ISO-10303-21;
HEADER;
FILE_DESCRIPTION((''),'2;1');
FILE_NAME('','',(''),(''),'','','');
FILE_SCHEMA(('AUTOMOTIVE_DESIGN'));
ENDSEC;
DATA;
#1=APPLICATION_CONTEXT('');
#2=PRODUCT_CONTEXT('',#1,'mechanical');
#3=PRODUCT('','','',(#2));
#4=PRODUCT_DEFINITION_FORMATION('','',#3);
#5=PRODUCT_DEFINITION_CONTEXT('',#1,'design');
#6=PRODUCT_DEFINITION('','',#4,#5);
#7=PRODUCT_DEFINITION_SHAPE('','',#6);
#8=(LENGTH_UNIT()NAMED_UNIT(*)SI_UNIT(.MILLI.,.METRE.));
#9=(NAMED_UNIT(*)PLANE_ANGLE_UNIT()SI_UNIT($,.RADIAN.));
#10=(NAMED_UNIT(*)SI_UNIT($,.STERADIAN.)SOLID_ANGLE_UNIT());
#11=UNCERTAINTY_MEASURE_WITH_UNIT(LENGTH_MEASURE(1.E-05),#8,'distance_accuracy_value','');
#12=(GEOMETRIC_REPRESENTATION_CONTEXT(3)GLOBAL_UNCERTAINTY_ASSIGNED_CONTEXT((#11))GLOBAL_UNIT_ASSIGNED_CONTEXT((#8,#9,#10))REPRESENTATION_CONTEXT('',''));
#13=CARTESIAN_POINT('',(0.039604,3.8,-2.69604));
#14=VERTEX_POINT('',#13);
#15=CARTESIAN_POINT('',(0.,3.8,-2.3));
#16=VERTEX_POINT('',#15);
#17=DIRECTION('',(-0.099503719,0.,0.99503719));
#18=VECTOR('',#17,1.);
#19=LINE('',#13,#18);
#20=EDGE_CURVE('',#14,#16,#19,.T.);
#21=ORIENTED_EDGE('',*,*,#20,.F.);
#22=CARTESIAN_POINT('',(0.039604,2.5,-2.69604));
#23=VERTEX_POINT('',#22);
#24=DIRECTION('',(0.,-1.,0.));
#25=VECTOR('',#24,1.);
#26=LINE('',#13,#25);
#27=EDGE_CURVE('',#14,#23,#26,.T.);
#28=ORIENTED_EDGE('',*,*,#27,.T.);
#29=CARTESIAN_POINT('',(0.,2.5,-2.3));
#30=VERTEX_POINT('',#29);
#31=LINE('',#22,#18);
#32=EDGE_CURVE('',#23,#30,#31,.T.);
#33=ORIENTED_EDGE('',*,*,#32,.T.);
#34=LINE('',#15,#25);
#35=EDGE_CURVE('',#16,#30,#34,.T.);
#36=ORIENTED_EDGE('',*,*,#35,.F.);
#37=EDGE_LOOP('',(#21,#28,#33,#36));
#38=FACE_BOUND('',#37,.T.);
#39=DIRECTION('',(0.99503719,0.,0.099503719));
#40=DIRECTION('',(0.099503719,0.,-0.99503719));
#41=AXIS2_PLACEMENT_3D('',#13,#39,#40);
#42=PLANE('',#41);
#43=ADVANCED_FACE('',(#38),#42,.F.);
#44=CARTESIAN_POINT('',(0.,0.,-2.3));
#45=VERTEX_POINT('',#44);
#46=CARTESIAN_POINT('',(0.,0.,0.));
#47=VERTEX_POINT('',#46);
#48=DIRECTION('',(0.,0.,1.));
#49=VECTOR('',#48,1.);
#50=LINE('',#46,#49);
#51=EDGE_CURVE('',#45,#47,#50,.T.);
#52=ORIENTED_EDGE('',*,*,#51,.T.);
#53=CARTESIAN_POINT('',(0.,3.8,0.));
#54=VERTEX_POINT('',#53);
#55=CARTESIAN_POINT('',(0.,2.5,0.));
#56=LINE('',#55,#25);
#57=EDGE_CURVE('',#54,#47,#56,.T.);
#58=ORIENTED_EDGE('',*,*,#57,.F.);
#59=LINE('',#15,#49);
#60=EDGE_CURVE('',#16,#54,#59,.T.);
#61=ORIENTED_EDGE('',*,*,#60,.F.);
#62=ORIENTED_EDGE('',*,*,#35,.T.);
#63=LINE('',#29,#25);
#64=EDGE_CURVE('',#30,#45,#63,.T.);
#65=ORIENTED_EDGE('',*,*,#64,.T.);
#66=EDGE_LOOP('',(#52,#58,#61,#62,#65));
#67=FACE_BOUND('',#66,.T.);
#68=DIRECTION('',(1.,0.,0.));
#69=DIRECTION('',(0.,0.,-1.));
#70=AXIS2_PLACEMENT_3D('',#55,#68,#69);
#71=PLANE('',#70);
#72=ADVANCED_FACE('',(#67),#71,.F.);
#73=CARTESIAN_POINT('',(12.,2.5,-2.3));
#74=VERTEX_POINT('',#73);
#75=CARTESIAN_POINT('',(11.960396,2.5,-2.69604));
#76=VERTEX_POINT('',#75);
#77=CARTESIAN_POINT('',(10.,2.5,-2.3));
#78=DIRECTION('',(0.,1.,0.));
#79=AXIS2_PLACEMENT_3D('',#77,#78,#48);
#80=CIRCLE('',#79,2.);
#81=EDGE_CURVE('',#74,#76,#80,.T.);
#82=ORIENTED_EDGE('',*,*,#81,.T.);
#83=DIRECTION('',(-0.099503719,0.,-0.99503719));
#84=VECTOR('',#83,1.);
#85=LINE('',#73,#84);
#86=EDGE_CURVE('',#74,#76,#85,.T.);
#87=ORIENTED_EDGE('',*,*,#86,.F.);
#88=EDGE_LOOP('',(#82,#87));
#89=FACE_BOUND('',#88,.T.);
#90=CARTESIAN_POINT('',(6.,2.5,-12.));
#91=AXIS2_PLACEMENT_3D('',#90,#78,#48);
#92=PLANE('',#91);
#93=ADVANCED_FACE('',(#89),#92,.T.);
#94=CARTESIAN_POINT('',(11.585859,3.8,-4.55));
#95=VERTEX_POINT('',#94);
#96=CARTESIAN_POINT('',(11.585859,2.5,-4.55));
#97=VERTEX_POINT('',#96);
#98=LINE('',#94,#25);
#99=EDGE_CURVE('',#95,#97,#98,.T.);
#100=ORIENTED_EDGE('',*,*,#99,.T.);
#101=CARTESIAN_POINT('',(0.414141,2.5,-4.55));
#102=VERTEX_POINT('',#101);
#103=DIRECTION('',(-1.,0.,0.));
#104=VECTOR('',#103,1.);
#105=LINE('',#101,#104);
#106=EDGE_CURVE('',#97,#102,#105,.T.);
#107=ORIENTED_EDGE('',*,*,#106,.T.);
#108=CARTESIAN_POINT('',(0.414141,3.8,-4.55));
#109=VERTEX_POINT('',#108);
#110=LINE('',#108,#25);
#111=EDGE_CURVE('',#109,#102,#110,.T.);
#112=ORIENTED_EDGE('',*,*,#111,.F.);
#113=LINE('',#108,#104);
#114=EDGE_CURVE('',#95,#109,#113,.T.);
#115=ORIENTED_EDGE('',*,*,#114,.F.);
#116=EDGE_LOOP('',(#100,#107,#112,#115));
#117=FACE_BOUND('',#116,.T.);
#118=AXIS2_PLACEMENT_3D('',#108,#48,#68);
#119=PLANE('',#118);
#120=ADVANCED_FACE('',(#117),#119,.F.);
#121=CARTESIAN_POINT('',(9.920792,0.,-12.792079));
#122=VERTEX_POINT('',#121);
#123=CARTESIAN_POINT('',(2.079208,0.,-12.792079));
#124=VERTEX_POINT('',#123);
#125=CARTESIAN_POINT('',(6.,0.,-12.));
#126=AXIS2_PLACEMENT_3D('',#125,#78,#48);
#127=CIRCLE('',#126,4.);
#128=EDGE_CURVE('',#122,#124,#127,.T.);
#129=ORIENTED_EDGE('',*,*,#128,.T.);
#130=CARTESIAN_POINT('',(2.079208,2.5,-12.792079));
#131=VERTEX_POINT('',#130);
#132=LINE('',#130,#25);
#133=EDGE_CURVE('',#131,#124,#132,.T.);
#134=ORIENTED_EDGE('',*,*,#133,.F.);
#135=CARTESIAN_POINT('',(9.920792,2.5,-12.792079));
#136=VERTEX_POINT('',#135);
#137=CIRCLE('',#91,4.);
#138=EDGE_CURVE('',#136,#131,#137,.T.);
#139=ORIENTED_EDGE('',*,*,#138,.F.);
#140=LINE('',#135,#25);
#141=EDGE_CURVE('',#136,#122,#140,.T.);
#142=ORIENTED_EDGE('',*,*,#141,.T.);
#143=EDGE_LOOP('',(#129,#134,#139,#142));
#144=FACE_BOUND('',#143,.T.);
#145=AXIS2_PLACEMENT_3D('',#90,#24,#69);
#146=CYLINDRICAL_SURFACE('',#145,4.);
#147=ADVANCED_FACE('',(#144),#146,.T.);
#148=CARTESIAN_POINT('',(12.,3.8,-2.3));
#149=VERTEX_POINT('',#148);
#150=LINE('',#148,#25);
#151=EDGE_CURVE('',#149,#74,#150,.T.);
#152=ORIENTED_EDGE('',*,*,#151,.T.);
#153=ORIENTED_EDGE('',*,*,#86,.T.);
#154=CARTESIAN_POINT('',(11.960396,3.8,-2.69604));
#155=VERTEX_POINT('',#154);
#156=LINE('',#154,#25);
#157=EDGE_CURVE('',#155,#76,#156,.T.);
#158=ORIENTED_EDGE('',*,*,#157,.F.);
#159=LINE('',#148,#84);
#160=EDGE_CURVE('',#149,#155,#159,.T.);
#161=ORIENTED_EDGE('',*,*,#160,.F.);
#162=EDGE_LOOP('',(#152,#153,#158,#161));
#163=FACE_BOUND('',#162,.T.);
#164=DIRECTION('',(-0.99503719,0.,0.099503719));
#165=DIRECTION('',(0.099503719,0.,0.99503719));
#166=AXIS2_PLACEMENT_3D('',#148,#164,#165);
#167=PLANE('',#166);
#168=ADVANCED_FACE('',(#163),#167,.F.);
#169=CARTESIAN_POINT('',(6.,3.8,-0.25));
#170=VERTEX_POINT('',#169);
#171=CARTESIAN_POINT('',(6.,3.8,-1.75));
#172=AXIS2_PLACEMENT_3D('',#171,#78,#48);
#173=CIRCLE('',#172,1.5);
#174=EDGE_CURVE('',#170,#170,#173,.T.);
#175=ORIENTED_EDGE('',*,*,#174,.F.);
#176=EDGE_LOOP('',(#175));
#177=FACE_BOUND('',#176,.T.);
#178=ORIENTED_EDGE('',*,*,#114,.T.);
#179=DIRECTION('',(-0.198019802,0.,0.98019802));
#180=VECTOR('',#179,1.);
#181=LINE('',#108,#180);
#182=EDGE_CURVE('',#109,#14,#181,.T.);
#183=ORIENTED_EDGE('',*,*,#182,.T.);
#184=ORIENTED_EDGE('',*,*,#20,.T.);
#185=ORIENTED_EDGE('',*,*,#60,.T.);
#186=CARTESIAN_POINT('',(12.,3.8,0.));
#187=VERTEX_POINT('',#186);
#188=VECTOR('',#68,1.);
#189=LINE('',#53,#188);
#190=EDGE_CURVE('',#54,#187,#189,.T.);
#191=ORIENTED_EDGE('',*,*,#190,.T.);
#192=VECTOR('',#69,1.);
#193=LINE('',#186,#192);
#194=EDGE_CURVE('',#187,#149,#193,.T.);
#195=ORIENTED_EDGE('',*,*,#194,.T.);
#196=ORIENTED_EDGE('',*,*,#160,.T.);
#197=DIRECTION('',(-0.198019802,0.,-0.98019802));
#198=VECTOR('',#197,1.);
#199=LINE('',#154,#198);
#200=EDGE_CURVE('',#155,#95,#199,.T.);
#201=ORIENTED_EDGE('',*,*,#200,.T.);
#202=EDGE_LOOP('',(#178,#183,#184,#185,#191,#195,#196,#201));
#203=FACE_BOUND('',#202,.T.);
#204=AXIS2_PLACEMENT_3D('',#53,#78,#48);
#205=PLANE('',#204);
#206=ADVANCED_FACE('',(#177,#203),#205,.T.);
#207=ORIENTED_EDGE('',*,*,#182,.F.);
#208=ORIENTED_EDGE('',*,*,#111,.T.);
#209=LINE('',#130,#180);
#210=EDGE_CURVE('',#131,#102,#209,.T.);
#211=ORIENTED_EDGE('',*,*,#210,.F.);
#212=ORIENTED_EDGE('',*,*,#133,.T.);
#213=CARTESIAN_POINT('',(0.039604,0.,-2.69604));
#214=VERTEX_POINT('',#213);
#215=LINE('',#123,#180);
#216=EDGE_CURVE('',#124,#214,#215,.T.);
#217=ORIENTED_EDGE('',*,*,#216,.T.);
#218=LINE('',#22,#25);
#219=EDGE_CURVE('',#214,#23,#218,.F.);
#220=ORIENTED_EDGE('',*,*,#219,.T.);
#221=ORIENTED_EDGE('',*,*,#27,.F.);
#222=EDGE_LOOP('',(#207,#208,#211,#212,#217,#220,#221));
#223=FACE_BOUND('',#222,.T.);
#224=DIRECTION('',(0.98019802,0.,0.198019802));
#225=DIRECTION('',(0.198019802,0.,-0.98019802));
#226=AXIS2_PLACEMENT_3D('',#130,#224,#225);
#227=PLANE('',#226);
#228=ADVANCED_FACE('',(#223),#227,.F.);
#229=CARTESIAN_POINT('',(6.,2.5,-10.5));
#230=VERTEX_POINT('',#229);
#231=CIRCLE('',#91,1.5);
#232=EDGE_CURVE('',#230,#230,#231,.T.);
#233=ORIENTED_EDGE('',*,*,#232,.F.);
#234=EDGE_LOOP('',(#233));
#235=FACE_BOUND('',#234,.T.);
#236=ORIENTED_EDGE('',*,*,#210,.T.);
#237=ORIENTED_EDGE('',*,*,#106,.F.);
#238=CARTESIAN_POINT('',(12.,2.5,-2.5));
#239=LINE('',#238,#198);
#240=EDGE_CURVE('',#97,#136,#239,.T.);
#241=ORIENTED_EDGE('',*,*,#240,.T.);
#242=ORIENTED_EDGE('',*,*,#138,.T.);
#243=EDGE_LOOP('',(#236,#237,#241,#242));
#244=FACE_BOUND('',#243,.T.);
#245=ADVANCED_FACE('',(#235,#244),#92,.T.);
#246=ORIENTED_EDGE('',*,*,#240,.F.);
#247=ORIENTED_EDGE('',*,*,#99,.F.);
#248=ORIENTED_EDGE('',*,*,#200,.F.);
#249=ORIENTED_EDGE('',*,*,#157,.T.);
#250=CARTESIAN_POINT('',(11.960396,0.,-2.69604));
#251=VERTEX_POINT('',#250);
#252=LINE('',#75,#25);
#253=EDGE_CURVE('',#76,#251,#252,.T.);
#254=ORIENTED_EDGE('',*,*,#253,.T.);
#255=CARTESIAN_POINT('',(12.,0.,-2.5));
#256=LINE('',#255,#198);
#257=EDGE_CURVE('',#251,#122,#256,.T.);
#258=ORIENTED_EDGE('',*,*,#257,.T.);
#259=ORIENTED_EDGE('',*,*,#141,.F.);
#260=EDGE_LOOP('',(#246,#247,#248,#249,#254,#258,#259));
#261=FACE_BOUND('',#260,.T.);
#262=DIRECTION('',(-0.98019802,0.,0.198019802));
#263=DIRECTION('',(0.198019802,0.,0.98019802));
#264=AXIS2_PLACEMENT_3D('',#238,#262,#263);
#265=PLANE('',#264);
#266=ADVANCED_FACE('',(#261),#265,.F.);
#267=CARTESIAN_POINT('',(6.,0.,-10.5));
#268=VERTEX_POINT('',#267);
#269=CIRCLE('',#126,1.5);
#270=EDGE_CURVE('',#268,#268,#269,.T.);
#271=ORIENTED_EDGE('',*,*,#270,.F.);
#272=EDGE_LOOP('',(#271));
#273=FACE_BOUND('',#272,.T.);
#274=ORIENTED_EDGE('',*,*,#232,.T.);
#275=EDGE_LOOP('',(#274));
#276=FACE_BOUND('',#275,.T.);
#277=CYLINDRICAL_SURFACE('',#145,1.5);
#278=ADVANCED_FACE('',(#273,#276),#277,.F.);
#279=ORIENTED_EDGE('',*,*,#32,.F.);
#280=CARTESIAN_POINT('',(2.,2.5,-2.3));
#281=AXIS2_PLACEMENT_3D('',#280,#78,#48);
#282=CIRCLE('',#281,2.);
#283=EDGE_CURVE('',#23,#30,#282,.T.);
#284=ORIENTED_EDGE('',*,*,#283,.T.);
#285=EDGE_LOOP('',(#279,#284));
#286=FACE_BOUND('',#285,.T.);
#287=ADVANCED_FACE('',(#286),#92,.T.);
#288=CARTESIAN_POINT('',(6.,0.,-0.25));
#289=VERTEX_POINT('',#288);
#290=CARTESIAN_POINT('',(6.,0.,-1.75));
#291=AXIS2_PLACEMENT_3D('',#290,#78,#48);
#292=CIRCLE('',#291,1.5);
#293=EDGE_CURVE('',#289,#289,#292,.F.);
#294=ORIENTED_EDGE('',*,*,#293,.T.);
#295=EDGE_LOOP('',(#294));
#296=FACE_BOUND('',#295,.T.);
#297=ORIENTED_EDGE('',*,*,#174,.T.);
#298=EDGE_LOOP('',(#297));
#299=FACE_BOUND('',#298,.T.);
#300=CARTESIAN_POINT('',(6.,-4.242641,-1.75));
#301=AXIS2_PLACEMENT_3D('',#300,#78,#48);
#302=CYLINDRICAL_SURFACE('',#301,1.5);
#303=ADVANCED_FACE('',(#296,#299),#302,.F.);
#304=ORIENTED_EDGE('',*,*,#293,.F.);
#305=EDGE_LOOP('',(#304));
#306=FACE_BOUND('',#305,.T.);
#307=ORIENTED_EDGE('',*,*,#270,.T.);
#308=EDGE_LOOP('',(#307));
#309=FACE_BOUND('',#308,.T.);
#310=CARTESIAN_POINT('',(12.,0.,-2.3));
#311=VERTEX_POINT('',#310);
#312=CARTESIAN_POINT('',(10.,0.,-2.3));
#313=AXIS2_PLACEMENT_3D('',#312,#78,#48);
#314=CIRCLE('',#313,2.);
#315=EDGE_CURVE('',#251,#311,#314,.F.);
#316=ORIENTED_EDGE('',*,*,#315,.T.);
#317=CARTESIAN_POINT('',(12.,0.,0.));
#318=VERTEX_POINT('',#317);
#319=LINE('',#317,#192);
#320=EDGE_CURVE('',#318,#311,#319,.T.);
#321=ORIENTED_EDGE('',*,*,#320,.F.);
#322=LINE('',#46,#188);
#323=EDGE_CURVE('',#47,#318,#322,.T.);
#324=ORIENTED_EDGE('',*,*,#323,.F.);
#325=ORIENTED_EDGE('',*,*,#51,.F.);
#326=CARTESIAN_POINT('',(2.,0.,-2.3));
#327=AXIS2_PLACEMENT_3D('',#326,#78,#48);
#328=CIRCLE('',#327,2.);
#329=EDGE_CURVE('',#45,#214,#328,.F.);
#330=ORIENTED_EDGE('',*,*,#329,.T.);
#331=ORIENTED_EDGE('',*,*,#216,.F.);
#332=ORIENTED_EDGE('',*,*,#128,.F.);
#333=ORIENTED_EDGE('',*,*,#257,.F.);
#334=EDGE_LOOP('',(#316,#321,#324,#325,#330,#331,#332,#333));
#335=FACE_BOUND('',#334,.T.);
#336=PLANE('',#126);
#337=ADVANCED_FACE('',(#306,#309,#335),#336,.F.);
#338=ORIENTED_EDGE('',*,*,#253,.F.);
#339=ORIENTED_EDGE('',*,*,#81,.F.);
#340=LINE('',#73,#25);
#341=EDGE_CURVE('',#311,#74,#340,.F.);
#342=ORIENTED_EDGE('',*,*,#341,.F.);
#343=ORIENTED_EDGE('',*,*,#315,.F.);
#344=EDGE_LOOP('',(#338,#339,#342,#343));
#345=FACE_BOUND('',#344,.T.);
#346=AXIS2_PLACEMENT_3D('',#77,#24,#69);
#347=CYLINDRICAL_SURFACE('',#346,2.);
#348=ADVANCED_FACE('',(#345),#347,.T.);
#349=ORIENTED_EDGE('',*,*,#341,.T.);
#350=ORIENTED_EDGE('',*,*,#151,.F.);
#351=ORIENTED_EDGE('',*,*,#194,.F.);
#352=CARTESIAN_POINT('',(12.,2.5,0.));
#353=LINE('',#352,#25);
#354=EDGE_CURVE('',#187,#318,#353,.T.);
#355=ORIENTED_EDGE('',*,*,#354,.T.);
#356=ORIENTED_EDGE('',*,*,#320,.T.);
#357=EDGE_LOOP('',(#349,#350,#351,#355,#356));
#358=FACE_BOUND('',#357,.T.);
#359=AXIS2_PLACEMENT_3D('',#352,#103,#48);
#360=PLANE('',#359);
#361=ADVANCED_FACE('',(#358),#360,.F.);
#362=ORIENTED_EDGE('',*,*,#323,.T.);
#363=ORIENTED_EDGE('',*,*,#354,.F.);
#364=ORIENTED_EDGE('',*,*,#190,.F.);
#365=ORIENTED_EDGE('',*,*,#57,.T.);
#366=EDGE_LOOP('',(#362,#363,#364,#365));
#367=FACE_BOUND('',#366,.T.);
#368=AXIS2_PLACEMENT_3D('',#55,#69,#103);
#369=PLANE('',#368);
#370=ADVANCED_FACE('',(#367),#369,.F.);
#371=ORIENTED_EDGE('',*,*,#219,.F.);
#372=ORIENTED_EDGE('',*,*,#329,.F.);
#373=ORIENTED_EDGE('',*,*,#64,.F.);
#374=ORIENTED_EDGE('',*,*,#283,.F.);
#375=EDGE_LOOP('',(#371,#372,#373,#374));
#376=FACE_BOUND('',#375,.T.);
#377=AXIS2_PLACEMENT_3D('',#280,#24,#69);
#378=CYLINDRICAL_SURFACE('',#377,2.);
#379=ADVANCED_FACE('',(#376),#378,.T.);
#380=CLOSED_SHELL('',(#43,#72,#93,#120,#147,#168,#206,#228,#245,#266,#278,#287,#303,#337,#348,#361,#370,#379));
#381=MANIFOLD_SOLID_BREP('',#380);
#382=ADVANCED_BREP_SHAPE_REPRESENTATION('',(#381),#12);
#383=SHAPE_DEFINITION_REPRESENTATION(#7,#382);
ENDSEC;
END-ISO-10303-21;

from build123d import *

# Parameters (mm, degrees)
SKETCH1_R           = 1.5
BOSS_EXTRUDE1_DEPTH = 2.5
FILLET2_R           = 2
BOSS_EXTRUDE2_DEPTH = 1.3
SKETCH3_R           = 1.5
CUT_EXTRUDE1_DEPTH  = 3.8


with BuildPart() as part:
    # Sketch1 → Boss-Extrude1 (new body)
    with BuildSketch(Plane(origin=(0, 0, 0), x_dir=(1, 0, 0), z_dir=(0, 1, 0))):
        with BuildLine():
            Line((2.079207921, 12.792079208), (0, 2.5))
            Line((0, 2.5), (0, 0))
            Line((0, 0), (12, 0))
            Line((12, 0), (12, 2.5))
            Line((12, 2.5), (9.920792079, 12.792079208))
            ThreePointArc((9.920792079, 12.792079208), (6, 16), (2.079207921, 12.792079208))
        make_face()
        with Locations((6, 12)):
            Circle(SKETCH1_R, mode=Mode.SUBTRACT)
    extrude(amount=BOSS_EXTRUDE1_DEPTH)

    # Fillet2
    fillet2_edges = [part.edges().sort_by_distance(p)[0] for p in [
        (0, 1.25, -2.5),
        (12, 1.25, -2.5),
    ]]
    fillet(fillet2_edges, radius=FILLET2_R)

    # Sketch2 → Boss-Extrude2 (add)
    with BuildSketch(Plane(origin=(0, 2.5, 0), x_dir=(1, 0, 0), z_dir=(0, 1, 0))):
        Polygon((0.414141414, 4.55), (11.585858586, 4.55), (11.96039604, 2.696039604), (12, 2.3), (12, 0), (0, 0), (0, 2.3), (0.03960396, 2.696039604), align=None)
    extrude(amount=BOSS_EXTRUDE2_DEPTH)

    # Sketch3 → Cut-Extrude1 (cut)
    with BuildSketch(Plane(origin=(0, 3.8, 0), x_dir=(1, 0, 0), z_dir=(0, 1, 0))):
        with Locations((6, 1.75)):
            Circle(SKETCH3_R)
    extrude(amount=-CUT_EXTRUDE1_DEPTH, mode=Mode.SUBTRACT)


solid = part.part
